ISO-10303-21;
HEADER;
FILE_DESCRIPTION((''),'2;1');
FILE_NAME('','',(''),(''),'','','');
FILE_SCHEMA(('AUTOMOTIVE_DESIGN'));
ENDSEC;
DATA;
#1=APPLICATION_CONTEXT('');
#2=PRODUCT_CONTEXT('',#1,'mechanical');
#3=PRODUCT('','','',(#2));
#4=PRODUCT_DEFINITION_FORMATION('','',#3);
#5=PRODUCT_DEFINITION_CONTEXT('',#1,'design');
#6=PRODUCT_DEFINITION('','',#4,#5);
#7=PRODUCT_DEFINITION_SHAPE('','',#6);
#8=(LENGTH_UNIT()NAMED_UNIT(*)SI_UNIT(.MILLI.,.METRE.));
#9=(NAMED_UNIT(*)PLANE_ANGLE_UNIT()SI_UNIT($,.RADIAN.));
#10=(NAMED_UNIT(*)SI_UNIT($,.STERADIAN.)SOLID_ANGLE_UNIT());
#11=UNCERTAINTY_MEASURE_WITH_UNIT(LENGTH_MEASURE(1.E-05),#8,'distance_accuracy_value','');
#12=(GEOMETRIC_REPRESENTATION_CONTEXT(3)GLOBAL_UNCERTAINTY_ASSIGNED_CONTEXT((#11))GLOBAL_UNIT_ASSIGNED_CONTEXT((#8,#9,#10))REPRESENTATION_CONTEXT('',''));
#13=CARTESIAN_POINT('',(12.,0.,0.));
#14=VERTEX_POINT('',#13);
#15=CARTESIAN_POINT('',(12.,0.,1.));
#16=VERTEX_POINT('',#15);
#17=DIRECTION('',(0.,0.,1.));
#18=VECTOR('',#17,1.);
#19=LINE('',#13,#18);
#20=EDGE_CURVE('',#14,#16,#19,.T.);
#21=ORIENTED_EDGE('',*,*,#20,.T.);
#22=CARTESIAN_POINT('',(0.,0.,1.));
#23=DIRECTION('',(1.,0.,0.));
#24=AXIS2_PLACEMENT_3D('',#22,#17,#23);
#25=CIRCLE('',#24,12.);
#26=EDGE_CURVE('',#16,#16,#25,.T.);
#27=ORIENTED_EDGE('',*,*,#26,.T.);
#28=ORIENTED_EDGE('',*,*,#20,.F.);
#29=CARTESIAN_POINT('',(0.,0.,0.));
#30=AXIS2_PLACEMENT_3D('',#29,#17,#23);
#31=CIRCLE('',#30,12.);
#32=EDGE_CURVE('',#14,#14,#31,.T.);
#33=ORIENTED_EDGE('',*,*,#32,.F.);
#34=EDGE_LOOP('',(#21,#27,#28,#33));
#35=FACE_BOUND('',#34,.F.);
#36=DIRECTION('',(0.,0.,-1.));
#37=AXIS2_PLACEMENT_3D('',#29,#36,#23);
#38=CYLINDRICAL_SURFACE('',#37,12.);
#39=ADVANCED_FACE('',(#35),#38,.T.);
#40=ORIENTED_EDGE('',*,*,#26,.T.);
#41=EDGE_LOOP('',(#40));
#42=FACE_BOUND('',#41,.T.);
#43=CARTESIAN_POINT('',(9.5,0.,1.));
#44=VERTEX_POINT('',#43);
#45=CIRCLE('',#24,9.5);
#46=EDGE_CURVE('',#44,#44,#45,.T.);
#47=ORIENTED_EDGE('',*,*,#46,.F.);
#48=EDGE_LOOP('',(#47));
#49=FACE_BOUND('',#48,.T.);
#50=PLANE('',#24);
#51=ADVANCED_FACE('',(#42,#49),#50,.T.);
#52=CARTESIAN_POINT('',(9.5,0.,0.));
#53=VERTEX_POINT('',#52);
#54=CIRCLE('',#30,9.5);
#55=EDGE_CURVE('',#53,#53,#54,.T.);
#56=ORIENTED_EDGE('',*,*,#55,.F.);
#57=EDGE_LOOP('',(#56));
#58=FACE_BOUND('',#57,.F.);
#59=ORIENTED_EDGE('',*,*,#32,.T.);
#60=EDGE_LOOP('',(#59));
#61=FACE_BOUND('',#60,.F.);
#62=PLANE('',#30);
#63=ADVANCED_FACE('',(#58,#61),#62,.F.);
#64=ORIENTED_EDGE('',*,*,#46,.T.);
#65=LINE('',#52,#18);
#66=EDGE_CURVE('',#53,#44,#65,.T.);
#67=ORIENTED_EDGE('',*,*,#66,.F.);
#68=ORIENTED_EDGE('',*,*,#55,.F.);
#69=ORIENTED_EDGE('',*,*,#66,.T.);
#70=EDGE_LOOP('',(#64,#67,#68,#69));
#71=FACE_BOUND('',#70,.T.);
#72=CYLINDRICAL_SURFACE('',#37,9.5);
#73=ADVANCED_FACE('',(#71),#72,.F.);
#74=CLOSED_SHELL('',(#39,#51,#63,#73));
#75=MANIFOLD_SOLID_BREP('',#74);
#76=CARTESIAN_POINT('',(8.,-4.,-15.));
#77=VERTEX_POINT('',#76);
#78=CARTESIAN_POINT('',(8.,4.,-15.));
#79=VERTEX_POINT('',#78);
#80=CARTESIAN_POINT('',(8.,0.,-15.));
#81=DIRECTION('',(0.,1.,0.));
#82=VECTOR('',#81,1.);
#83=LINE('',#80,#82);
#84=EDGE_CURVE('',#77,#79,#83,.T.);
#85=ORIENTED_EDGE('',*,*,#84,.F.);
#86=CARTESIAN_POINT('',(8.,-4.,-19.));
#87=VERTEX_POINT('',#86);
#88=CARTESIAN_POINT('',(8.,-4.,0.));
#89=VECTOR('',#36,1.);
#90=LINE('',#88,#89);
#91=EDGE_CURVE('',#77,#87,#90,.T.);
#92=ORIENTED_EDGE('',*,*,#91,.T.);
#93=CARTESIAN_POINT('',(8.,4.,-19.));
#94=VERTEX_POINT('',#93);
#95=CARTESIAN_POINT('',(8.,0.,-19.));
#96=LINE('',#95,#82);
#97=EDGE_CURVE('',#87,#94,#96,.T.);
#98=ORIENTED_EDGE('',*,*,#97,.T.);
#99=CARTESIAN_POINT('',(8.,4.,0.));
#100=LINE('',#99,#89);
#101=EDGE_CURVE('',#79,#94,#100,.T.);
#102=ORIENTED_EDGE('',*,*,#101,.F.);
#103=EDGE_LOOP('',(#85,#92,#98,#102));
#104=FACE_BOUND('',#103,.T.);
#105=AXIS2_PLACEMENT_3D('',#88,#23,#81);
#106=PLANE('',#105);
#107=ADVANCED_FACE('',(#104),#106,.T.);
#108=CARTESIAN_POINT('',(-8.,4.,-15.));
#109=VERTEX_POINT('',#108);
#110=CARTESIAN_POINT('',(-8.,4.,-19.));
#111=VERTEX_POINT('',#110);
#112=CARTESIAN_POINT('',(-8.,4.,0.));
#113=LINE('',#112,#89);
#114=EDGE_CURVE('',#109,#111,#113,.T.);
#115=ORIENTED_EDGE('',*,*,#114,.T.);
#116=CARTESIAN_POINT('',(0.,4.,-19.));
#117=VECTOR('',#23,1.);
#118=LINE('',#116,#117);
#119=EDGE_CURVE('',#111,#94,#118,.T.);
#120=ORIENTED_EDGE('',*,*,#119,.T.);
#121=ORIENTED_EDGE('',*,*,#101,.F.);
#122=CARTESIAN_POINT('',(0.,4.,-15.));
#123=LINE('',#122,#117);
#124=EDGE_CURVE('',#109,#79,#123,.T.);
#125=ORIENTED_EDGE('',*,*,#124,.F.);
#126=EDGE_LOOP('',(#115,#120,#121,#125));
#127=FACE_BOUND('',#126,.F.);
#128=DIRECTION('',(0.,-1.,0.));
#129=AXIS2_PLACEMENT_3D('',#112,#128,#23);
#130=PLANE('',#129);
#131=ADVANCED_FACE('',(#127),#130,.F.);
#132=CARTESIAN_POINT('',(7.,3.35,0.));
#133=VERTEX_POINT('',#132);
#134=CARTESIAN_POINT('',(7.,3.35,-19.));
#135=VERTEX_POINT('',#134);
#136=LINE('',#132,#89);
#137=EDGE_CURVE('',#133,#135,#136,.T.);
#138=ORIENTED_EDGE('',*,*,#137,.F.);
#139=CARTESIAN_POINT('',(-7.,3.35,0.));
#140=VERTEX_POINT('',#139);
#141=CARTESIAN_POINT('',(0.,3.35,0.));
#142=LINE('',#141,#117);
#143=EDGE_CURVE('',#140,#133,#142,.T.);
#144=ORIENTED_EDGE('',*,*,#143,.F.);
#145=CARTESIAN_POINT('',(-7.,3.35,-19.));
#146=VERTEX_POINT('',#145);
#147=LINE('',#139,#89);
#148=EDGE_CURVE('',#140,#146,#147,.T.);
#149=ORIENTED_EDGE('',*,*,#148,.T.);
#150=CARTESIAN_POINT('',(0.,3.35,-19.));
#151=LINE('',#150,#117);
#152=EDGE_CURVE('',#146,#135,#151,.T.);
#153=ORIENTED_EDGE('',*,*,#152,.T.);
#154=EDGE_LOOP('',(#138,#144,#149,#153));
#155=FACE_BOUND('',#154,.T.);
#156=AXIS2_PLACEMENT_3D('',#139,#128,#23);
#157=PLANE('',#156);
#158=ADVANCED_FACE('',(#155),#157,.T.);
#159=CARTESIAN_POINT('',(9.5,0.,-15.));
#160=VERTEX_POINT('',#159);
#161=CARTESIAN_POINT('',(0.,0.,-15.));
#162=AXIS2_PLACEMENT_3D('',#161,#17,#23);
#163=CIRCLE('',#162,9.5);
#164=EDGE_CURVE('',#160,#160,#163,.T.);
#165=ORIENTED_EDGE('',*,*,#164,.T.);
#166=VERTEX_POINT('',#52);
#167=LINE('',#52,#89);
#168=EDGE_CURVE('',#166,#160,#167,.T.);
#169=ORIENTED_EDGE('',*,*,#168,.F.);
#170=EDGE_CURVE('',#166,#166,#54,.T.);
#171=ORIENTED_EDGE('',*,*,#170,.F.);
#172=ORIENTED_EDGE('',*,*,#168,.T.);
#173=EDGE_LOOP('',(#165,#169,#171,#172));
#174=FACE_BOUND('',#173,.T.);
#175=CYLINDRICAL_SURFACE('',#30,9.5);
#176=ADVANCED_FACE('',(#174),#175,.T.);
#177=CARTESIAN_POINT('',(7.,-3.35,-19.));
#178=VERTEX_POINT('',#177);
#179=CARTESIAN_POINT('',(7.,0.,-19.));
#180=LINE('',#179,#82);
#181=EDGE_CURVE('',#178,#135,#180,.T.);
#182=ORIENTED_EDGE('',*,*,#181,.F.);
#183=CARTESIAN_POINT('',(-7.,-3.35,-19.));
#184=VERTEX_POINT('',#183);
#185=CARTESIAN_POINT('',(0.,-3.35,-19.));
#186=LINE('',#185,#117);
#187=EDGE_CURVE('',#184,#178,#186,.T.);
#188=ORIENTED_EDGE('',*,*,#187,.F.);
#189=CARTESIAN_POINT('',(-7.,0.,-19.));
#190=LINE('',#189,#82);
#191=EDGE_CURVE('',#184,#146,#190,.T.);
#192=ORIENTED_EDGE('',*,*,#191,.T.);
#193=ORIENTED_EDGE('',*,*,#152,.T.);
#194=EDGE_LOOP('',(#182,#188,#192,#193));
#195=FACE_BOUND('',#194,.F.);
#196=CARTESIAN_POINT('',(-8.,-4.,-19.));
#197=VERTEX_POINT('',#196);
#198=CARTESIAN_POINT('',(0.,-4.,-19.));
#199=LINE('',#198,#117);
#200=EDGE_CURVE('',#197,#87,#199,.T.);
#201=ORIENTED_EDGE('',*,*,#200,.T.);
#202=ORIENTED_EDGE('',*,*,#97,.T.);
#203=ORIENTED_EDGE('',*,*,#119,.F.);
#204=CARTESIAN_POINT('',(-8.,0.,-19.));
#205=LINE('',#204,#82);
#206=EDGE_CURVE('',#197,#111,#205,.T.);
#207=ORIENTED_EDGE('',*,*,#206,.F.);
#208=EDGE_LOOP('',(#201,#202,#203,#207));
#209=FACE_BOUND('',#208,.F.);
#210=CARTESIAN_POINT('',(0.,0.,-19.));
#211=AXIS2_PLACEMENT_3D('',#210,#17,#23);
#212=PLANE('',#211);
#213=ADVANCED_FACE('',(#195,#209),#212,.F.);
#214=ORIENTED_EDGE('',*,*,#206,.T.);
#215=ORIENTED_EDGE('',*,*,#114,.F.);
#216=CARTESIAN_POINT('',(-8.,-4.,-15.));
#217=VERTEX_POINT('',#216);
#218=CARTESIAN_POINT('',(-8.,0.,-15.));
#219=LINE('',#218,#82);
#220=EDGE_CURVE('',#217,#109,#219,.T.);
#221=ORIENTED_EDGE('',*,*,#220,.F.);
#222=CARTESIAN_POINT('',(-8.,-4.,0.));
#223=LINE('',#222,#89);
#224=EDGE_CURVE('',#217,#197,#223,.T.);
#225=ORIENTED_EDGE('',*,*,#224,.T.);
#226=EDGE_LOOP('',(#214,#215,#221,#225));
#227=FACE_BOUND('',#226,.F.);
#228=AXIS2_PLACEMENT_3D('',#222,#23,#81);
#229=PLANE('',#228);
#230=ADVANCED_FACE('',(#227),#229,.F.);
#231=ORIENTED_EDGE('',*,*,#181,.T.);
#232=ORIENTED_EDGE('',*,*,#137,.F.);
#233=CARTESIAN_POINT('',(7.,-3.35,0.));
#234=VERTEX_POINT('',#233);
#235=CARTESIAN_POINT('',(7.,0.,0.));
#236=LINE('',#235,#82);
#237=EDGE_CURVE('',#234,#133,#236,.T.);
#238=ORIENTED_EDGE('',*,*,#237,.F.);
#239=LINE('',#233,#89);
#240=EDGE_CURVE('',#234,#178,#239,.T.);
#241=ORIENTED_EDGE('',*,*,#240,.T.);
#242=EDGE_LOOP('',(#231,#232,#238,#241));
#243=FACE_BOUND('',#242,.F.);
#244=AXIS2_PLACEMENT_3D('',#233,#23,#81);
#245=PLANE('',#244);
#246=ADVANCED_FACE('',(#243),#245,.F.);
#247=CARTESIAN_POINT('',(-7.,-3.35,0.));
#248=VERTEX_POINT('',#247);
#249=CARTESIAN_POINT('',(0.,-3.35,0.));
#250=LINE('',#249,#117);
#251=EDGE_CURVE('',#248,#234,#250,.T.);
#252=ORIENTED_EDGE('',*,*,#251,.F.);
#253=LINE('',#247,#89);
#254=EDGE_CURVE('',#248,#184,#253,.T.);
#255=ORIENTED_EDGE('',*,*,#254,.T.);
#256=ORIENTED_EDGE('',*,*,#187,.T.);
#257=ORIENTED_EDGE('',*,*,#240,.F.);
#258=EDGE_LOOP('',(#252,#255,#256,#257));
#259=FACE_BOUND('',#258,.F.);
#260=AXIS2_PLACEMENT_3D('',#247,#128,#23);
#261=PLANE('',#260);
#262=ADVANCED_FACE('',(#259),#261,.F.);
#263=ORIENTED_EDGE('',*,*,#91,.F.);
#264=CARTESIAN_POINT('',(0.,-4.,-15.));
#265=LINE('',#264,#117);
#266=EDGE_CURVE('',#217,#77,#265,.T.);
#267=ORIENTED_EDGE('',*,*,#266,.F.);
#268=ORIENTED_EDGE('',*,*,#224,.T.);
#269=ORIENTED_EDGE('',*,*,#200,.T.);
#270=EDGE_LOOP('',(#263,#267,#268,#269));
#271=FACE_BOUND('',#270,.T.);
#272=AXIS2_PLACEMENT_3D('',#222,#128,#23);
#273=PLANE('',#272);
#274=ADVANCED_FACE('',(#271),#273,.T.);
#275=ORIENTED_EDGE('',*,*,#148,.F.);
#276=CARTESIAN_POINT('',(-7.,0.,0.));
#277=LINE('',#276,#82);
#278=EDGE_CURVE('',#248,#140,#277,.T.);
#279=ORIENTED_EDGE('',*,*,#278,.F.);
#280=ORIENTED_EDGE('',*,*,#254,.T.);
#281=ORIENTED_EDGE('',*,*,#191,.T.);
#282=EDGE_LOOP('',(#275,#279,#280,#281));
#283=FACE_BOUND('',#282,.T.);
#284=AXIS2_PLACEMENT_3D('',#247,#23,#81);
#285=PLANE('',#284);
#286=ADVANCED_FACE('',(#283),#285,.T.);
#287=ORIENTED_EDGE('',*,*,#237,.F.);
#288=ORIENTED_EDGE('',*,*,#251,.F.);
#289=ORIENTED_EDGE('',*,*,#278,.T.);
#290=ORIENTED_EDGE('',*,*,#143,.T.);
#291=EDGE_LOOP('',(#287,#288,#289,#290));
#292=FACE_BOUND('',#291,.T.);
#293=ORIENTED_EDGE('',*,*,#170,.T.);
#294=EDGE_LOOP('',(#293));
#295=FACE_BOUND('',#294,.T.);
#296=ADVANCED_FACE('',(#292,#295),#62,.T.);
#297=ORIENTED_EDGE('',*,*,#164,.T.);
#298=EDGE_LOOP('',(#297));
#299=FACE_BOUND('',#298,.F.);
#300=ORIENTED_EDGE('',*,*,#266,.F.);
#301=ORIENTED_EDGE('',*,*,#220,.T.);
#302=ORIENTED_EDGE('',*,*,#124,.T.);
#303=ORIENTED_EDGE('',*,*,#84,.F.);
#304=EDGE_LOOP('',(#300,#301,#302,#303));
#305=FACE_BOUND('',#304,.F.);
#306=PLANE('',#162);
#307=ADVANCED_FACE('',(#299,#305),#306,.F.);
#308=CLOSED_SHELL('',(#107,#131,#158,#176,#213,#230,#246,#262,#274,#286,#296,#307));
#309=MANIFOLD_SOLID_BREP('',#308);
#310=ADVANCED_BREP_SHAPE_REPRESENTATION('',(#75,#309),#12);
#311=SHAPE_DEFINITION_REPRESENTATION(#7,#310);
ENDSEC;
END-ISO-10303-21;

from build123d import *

# Parameters (mm, degrees)
F0_W     = 16
F0_H     = 8
F0_W_2   = 14
F0_H_2   = 6.7
F1_DEPTH = 19
F0_R     = 12
F0_R_2   = 9.5
F2_DEPTH = 1
F3_DEPTH = 15


with BuildPart() as f1:
    # F0 (on Top) → F1 (new body)
    with BuildSketch(Plane.XY):
        Rectangle(F0_W, F0_H)
        Rectangle(F0_W_2, F0_H_2, mode=Mode.SUBTRACT)
    extrude(amount=-F1_DEPTH)



with BuildPart() as f2:
    # F0 (on Top) → F2 (new body)
    with BuildSketch(Plane.XY):
        Circle(F0_R)
        Circle(F0_R_2, mode=Mode.SUBTRACT)
    extrude(amount=F2_DEPTH)


with BuildPart() as f1_1:
    add(f1.part)

    add(f2.part)  # F3 merges F2
    # F0 (on Top) → F3 (join)
    with BuildSketch(Plane.XY):
        Circle(F0_R_2)
        Rectangle(F0_W, F0_H, mode=Mode.SUBTRACT)
    extrude(amount=-F3_DEPTH)


solid = f1_1.part
